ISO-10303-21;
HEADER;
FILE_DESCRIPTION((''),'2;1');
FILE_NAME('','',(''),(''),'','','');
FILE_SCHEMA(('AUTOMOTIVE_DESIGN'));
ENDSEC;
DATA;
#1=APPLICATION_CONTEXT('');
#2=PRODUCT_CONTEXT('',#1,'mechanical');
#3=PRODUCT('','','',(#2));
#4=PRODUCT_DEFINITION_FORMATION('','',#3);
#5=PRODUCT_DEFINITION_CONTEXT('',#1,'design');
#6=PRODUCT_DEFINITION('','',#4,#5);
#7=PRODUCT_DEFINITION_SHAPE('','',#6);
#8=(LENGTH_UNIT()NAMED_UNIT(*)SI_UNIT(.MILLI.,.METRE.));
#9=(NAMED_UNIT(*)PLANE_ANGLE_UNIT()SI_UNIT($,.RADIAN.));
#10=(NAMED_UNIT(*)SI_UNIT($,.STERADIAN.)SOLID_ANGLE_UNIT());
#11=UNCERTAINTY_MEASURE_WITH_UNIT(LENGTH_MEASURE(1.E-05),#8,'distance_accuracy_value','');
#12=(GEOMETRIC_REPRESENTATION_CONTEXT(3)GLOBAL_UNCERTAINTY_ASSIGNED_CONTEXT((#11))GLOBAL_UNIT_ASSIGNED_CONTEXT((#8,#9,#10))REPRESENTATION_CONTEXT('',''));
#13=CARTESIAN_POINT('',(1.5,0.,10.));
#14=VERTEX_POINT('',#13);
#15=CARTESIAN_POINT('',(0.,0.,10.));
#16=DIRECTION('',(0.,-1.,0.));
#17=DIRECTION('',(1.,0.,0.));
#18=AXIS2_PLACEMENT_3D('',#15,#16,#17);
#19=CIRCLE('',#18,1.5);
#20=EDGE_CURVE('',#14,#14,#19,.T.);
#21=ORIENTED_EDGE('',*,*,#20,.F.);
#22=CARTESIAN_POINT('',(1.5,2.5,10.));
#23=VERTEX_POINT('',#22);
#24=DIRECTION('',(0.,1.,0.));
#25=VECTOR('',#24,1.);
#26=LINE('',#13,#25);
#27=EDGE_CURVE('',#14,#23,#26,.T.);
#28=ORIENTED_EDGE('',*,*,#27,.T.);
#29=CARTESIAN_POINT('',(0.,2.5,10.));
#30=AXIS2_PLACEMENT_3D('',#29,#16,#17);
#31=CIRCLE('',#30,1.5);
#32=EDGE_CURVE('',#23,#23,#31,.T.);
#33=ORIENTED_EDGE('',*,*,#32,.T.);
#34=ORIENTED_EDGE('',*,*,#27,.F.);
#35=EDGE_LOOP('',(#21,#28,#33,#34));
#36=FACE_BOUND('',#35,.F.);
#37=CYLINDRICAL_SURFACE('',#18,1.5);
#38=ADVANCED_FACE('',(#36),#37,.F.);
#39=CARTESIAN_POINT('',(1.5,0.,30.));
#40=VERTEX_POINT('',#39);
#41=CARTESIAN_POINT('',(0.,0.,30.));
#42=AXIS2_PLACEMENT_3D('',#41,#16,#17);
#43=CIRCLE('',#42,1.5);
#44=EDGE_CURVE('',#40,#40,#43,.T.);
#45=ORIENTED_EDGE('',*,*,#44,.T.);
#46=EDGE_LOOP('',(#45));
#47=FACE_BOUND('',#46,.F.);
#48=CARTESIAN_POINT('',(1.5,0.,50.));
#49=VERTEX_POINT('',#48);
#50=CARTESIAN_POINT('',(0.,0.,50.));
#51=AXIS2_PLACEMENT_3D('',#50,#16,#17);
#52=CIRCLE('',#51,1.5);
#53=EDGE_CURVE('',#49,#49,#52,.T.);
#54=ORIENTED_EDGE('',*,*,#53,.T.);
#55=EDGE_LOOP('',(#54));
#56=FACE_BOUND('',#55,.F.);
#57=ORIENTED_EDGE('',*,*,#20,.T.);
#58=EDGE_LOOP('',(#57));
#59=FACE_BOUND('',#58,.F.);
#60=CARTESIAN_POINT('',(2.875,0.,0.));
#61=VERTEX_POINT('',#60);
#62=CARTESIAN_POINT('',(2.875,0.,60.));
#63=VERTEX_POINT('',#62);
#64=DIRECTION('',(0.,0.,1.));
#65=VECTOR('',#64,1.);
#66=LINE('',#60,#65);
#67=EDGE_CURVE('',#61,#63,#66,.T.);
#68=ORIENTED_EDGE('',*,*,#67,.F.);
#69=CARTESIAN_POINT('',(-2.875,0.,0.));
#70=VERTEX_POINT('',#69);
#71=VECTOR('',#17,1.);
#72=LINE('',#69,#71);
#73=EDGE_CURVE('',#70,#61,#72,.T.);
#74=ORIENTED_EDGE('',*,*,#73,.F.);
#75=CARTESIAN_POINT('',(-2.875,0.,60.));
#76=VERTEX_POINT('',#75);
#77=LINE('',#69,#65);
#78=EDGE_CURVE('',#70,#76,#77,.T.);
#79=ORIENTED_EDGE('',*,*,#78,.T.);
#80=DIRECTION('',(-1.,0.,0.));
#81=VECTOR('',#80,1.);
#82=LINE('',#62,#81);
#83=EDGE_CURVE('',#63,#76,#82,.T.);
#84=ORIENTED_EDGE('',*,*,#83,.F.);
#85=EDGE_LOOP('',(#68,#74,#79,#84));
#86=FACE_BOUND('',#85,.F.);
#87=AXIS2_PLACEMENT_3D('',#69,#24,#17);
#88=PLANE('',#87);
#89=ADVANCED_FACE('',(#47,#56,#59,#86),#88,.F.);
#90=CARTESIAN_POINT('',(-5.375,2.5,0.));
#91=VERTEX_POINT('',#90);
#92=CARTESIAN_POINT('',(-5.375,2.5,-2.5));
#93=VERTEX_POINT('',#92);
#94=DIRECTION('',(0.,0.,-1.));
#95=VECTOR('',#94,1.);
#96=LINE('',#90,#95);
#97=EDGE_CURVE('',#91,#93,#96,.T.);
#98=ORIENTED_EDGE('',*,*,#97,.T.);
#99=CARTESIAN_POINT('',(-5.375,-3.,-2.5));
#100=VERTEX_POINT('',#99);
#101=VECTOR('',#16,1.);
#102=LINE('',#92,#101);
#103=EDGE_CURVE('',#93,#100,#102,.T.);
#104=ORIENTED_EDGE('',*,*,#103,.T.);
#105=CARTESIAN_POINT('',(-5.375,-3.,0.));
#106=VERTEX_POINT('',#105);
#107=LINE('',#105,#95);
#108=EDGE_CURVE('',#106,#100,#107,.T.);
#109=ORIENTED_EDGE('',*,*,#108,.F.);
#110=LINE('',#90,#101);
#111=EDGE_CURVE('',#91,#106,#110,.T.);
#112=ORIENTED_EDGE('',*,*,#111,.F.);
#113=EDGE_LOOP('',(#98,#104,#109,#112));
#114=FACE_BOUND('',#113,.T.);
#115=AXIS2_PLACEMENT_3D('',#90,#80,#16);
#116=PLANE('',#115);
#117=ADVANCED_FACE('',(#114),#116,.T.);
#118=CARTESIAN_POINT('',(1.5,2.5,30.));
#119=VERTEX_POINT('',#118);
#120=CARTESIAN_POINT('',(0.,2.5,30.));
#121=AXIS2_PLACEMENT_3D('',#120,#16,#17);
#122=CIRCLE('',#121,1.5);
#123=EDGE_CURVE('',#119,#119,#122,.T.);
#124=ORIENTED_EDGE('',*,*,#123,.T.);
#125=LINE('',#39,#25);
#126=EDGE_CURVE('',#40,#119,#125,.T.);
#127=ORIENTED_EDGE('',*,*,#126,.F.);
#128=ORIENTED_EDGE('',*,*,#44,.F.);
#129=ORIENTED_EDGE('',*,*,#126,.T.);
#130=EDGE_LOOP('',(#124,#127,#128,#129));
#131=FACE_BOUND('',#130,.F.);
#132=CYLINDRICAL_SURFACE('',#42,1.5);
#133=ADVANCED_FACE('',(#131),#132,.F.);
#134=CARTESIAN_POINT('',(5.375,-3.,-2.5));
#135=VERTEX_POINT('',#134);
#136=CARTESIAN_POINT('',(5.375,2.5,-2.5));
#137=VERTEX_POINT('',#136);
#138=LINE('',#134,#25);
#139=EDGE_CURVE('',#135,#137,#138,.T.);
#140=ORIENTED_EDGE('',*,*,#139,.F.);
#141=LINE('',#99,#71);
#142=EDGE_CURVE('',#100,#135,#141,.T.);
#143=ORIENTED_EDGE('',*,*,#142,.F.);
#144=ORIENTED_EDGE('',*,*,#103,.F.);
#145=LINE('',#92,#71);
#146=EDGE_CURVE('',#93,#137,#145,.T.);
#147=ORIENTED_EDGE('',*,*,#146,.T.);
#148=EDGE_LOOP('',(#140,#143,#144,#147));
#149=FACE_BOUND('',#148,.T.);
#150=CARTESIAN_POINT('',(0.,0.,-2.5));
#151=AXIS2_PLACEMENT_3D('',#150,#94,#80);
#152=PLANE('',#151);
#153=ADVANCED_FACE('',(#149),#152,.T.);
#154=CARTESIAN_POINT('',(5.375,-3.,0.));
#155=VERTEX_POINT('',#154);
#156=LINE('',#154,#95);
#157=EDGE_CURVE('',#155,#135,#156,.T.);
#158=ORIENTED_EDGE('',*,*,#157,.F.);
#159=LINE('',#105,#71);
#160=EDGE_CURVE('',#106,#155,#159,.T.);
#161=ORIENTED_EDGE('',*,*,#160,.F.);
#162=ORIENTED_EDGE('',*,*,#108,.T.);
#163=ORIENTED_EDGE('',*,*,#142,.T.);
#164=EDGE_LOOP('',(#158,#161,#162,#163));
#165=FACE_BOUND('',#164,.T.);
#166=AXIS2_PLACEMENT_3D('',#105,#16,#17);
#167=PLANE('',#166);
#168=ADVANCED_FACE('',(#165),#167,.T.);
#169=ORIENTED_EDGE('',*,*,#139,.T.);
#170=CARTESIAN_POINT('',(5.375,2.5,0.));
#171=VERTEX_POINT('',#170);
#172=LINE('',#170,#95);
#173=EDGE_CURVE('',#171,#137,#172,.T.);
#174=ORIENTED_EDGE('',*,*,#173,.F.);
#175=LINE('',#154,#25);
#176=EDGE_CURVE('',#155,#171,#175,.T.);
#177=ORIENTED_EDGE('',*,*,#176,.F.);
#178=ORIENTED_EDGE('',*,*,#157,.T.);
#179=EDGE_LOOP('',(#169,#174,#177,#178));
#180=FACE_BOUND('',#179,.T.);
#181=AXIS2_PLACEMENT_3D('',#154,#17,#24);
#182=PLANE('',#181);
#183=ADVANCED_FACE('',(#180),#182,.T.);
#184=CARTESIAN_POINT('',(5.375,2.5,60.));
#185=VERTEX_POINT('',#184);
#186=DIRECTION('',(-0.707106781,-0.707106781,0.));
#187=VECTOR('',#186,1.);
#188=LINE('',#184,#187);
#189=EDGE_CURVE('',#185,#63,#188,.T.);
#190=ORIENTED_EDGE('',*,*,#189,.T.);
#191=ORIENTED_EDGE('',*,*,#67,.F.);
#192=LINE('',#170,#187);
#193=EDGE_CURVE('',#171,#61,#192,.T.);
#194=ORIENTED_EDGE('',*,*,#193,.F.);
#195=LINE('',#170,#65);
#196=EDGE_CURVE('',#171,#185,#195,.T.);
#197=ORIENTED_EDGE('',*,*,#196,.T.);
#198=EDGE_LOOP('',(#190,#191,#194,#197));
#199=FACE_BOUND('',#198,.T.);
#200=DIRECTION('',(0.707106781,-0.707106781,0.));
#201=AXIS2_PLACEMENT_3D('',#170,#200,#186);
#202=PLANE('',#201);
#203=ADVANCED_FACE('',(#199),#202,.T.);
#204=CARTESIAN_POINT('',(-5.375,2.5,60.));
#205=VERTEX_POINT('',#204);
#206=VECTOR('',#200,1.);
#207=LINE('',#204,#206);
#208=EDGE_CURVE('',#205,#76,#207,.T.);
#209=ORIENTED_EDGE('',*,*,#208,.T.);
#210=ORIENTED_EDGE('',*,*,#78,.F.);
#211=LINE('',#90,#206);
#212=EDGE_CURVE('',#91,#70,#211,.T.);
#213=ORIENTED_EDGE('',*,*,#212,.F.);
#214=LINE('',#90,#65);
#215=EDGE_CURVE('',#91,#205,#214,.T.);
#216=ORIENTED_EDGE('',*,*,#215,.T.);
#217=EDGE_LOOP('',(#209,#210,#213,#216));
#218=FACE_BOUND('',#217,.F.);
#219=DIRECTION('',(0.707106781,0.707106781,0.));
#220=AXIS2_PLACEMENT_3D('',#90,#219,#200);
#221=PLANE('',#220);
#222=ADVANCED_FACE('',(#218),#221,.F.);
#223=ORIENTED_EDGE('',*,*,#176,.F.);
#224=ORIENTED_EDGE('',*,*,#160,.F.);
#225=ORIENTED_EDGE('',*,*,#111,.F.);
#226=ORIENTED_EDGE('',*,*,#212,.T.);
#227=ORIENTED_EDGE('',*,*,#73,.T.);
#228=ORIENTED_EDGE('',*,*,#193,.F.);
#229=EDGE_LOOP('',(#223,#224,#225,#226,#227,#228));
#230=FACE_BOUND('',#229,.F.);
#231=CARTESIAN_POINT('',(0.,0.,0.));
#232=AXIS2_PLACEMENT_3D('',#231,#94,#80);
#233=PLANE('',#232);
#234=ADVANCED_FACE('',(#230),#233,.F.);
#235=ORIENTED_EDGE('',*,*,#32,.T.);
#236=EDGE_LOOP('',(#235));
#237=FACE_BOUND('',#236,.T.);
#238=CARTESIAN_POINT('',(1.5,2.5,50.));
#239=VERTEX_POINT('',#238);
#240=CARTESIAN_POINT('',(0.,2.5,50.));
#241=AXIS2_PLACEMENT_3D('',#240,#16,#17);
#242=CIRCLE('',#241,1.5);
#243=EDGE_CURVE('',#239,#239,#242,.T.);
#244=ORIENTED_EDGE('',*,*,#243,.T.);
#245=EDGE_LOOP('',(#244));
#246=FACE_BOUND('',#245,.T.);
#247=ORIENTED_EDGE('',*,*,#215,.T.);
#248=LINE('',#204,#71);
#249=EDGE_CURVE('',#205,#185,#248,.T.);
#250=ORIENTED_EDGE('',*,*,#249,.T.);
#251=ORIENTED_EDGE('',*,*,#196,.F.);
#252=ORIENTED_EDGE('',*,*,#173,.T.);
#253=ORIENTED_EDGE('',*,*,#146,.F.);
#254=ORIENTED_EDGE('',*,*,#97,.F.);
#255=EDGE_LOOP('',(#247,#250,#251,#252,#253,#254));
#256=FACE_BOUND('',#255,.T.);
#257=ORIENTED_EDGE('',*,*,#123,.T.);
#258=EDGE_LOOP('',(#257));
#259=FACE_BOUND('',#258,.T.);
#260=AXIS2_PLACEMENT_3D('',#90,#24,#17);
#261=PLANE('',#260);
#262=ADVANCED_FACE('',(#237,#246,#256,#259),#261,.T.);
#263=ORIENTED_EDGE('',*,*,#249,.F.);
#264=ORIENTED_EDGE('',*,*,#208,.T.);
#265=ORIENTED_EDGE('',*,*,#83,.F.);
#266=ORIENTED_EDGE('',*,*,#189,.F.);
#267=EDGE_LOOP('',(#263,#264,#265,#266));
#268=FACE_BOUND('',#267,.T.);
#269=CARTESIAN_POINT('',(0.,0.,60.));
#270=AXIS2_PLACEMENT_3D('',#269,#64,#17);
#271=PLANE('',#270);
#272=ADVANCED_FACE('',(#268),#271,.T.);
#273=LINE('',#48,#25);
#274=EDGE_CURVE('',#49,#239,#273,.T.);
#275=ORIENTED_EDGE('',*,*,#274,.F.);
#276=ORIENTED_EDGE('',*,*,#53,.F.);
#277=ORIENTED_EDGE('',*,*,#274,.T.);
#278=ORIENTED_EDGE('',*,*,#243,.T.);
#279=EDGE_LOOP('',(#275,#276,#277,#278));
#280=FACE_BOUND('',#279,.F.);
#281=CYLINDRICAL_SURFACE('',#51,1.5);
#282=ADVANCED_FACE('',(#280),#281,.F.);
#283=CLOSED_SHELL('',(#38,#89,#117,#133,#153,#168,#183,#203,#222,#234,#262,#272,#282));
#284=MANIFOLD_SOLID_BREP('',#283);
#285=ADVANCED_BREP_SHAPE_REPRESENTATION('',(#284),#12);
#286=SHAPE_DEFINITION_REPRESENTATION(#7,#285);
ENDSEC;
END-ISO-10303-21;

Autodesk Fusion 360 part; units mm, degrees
sketch "Sketch1" plane through (0, 0, 0) normal (0, 0, 1) x (1, 0, 0)
  line L0 (-2.875, 0) -> (2.875, 0)
  line L1 (-5.375, 2.5) -> (5.375, 2.5)
  line L2 (-5.375, 2.5) -> (-2.875, 0)
  line L3 (5.375, 2.5) -> (2.875, 0)
  line L4 (0, 7.9451) -> (0, -6.0549)
  dimension "d1" = 5.75
  dimension "d2" = 10.75
  dimension "d3" = 2.5
extrude "Extrude1" add sketch "Sketch1" along normal blind 60
sketch "Sketch2" plane through (0, 0, 0) normal (0, 0, -1) x (-1, 0, 0)
  line L0 (2.875, 0) -> (5.375, 2.5)
  line L1 (5.375, 2.5) -> (-5.375, 2.5)
  line L2 (-5.375, 2.5) -> (-2.875, 0)
  line L3 (-2.875, 0) -> (2.875, 0)
  line L4 (-5.375, 2.5) -> (5.375, 2.5)
  line L5 (5.375, 2.5) -> (5.375, -3)
  line L6 (5.375, -3) -> (-5.375, -3)
  line L7 (-5.375, -3) -> (-5.375, 2.5)
  dimension "d6" = 10.75
  dimension "d7" = 5.5
extrude "Extrude2" add sketch "Sketch2" along normal blind 2.5
sketch "Sketch3" plane through (0, 0, 0) normal (0, -1, 0) x (1, 0, 0)
  line L0 (-2.875, 0) -> (2.875, 0)
  line L1 (2.875, 0) -> (2.875, 60)
  line L2 (2.875, 60) -> (-2.875, 60)
  line L3 (-2.875, 60) -> (-2.875, 0)
  circle A0 centre (0, 10) radius 1.5
  circle A1 centre (0, 30) radius 1.5
  circle A2 centre (0, 50) radius 1.5
  dimension "d10" = 3
  dimension "d11" = 10
  dimension "d12" = 30
  dimension "d13" = 20
extrude "Extrude3" cut sketch "Sketch3" against normal through all contours A0 | A1 | A2
